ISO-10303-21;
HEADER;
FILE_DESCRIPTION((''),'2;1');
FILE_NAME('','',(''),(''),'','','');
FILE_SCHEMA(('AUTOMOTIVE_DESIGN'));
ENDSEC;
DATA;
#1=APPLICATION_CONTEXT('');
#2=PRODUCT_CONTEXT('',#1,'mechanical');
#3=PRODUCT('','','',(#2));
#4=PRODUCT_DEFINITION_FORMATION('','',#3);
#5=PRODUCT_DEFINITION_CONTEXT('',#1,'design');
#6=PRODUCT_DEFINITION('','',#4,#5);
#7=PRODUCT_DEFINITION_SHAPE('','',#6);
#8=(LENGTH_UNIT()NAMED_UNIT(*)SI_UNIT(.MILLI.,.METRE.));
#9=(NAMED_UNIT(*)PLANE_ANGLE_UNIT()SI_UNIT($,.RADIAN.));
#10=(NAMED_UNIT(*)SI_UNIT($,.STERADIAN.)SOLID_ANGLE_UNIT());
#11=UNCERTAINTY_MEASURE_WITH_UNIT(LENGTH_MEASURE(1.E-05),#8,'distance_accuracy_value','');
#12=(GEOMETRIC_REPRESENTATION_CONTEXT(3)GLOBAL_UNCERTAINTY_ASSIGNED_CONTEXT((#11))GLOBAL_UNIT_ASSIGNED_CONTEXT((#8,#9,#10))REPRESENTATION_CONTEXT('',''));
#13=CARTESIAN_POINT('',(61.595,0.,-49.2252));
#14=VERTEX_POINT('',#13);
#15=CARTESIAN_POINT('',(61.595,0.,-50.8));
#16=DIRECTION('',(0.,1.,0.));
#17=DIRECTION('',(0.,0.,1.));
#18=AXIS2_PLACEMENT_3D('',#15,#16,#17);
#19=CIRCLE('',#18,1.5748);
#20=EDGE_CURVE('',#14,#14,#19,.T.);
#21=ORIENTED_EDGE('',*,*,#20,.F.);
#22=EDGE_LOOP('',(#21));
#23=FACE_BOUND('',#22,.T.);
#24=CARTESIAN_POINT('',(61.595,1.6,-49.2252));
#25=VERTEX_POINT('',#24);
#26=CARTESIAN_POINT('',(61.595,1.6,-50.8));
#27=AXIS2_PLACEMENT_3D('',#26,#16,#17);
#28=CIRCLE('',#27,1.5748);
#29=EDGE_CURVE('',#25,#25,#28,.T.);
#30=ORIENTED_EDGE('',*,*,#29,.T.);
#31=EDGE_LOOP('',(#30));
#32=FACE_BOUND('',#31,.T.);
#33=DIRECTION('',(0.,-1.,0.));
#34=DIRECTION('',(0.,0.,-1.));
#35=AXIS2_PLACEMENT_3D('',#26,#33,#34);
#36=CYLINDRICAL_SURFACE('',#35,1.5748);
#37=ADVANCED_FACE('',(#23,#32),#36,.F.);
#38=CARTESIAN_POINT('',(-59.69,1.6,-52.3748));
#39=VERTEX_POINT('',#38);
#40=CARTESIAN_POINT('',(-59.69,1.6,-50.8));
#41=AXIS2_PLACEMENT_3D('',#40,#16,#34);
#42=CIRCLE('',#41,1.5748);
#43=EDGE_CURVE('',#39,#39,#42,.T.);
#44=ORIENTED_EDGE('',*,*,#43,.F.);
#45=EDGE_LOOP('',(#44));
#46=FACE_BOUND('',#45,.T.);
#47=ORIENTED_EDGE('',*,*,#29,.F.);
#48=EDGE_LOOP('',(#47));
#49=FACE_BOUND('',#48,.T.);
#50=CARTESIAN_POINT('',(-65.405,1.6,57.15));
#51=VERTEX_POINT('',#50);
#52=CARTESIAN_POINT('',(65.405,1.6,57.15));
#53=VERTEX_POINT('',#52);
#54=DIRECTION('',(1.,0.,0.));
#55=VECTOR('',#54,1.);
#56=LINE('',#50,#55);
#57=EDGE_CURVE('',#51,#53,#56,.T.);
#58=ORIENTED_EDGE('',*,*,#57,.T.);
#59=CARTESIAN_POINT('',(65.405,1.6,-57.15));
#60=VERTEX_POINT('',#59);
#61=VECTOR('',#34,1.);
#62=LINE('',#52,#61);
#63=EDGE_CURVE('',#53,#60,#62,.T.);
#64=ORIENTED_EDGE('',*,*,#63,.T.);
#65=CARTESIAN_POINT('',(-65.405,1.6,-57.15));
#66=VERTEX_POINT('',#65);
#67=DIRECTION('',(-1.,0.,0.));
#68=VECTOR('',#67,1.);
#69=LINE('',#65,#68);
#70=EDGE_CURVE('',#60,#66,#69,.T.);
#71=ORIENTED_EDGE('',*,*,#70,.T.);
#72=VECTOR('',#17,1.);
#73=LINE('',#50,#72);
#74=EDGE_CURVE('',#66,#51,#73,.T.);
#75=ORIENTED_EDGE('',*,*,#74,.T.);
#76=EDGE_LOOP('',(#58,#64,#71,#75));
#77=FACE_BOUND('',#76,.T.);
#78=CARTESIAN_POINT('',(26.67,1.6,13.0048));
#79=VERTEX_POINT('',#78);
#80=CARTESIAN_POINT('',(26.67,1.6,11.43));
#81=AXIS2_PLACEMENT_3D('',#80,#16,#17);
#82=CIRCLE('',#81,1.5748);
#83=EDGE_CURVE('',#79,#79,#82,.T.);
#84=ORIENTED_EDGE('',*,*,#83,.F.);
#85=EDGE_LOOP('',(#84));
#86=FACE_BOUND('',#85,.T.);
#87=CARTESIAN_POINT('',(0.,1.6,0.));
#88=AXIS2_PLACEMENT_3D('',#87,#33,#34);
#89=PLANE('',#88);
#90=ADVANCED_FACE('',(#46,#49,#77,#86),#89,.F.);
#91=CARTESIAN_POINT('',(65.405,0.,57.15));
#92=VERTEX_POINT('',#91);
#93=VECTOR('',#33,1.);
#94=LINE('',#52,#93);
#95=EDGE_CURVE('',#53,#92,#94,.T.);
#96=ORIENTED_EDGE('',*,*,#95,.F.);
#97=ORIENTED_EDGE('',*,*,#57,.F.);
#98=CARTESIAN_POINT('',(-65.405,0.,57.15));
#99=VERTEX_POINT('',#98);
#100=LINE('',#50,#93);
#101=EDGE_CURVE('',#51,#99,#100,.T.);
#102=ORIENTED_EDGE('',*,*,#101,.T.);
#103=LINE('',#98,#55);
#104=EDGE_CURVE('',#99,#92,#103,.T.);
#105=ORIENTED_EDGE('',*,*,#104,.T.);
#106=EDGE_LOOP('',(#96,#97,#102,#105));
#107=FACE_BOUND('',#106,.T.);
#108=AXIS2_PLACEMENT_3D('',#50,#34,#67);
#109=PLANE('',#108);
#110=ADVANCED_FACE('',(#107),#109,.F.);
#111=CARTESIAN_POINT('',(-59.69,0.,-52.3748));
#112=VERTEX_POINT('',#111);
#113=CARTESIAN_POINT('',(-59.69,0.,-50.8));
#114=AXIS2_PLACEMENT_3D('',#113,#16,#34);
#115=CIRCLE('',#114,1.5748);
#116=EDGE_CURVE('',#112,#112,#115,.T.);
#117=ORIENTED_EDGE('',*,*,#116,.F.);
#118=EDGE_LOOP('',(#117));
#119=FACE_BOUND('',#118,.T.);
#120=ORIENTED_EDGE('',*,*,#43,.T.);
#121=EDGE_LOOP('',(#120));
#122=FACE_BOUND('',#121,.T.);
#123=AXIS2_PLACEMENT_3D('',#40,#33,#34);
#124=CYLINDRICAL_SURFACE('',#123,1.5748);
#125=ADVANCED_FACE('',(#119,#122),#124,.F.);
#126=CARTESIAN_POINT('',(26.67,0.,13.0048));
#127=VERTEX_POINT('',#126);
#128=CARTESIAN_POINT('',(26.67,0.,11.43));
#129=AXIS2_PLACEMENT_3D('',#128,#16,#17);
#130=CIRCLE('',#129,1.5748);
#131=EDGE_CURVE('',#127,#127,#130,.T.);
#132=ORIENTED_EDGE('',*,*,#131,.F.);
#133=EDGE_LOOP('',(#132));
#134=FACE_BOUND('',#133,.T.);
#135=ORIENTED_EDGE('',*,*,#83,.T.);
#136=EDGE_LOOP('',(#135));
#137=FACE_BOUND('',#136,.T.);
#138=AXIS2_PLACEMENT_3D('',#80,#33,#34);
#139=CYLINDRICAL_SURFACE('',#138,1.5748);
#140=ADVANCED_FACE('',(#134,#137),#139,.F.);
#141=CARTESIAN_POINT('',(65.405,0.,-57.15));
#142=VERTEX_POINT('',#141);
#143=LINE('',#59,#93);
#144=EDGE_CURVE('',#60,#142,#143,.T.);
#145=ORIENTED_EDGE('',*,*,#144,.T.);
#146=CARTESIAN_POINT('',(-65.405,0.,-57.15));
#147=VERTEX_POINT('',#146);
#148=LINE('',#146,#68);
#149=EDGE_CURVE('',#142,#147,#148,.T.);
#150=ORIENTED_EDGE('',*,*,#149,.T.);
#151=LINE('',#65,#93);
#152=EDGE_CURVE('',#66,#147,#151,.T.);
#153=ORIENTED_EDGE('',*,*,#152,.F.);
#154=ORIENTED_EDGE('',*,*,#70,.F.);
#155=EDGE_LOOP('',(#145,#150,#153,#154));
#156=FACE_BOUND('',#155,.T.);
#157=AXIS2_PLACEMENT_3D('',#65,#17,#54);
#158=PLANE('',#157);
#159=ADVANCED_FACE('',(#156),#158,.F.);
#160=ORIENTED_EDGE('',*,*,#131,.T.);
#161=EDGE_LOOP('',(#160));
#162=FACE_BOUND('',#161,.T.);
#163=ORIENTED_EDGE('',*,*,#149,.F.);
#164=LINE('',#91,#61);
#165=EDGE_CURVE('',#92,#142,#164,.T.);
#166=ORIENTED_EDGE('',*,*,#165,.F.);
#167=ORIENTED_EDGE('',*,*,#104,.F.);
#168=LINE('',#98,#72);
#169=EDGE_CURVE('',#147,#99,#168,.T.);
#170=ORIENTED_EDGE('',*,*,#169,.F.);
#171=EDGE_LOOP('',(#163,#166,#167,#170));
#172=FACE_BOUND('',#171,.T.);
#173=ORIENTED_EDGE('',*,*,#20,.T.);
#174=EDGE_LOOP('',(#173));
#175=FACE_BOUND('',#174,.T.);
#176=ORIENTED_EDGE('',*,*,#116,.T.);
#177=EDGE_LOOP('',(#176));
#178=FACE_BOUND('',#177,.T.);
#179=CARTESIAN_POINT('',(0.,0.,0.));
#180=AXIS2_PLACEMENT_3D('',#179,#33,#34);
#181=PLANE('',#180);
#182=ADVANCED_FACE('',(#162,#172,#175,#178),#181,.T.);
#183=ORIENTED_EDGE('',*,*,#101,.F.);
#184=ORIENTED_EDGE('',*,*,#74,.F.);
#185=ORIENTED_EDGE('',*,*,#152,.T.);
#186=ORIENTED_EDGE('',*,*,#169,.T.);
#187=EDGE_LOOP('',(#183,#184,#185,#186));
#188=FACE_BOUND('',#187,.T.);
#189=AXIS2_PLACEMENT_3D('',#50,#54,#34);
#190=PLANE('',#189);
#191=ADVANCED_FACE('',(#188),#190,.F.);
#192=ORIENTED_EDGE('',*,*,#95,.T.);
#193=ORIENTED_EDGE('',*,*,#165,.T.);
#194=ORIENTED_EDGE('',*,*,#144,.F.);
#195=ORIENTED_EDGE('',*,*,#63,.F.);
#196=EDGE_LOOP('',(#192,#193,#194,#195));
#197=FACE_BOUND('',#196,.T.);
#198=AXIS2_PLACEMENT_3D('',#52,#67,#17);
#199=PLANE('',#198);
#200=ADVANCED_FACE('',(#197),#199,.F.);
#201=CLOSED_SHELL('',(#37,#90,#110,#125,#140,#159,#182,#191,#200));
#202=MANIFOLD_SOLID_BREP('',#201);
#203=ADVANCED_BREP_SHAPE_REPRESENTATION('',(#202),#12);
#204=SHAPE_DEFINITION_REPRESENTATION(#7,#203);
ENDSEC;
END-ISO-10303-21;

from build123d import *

# Parameters (mm, degrees)
SKETCH1_W           = 130.81
SKETCH1_H           = 114.3
SKETCH1_R           = 1.5748
BOSS_EXTRUDE1_DEPTH = 1.6


with BuildPart() as part:
    # Sketch1 → Boss-Extrude1 (new body)
    with BuildSketch(Plane(origin=(0, 0, 0), x_dir=(1, 0, 0), z_dir=(0, 1, 0))):
        Rectangle(SKETCH1_W, SKETCH1_H)
        with Locations(Location((61.595, 50.8, 0), (0, 0, 270))):
            Circle(SKETCH1_R, mode=Mode.SUBTRACT)
        with Locations(Location((-59.69, 50.8, 0), (0, 0, 90))):
            Circle(SKETCH1_R, mode=Mode.SUBTRACT)
        with Locations(Location((26.67, -11.43, 0), (0, 0, 270))):
            Circle(SKETCH1_R, mode=Mode.SUBTRACT)
    extrude(amount=BOSS_EXTRUDE1_DEPTH)


solid = part.part
